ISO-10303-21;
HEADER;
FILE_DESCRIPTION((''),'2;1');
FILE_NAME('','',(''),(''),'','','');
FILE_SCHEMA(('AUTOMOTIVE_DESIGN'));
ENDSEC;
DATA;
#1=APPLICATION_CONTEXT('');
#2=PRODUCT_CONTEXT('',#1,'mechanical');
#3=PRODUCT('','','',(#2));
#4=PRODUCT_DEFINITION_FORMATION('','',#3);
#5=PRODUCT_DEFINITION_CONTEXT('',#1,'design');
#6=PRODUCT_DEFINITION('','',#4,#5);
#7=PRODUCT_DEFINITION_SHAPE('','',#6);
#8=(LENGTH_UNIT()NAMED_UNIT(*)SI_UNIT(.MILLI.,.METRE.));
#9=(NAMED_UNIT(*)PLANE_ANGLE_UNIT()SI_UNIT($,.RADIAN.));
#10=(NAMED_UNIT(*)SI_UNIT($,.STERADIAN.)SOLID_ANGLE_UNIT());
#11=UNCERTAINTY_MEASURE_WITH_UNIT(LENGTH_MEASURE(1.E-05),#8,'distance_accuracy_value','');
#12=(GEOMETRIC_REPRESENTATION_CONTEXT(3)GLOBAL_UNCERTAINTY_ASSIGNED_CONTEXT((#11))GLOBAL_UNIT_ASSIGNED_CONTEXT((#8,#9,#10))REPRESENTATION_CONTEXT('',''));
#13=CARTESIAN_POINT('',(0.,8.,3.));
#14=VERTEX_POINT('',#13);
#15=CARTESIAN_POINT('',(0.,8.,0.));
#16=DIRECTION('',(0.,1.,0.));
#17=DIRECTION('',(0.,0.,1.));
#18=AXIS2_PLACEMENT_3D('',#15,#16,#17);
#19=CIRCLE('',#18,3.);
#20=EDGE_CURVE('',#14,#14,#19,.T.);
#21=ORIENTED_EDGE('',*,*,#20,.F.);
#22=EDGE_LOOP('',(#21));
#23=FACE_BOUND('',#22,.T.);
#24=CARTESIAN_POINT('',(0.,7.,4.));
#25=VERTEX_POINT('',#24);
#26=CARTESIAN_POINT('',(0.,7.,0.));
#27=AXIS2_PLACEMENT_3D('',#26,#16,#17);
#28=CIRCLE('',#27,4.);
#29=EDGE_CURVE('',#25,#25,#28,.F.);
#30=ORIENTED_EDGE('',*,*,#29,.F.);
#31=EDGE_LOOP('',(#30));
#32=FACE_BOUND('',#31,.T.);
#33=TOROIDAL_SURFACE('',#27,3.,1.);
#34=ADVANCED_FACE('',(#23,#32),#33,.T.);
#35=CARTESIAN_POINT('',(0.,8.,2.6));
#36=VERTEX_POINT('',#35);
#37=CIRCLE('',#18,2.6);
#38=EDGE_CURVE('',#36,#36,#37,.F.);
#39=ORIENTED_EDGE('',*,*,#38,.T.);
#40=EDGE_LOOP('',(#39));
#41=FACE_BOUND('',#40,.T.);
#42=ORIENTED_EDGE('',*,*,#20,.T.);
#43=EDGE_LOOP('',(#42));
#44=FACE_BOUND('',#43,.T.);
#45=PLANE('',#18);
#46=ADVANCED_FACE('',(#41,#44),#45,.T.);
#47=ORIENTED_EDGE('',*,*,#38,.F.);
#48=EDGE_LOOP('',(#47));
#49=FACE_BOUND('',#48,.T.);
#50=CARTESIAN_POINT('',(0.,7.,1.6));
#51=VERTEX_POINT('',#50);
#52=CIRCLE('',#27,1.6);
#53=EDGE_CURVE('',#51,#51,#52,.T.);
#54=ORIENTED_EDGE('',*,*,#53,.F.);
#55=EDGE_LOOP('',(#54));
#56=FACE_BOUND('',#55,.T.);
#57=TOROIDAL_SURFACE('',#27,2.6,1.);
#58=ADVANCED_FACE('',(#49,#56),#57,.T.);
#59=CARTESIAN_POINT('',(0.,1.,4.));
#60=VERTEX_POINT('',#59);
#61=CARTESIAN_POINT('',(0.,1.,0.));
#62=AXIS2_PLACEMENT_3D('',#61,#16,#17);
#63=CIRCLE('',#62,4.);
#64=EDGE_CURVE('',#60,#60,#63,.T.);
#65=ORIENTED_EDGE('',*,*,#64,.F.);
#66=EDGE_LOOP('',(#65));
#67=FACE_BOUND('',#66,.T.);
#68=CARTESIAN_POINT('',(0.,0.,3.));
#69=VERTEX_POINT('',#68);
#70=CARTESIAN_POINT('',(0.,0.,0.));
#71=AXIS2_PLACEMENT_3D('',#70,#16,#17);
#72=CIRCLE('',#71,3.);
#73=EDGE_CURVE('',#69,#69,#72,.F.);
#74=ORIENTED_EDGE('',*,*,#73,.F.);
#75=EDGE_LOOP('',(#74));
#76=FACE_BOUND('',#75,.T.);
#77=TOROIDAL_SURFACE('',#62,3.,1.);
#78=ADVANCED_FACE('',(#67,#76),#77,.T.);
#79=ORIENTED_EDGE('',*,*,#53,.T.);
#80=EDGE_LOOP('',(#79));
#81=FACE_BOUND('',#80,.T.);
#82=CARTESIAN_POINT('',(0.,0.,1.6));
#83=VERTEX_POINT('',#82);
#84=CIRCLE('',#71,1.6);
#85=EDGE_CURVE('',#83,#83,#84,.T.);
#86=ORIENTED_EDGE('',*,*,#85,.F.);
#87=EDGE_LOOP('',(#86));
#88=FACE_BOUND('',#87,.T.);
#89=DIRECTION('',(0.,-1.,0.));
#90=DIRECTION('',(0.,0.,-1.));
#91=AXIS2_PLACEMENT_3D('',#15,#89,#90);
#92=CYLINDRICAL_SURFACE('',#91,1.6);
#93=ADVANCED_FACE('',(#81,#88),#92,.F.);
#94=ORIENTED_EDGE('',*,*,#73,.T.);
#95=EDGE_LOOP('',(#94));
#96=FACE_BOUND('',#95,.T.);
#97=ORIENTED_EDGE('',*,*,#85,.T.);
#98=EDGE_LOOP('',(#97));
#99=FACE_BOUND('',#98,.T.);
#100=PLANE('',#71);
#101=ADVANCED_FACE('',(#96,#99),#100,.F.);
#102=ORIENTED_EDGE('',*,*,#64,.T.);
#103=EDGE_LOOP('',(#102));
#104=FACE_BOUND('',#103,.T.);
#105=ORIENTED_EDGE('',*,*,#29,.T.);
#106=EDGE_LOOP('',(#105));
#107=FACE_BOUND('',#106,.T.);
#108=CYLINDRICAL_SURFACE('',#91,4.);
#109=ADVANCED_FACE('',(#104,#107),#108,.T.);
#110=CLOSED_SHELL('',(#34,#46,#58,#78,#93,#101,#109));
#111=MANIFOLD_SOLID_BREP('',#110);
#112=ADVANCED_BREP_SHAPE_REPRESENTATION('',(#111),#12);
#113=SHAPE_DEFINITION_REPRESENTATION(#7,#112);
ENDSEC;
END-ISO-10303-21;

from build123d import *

# Parameters (mm, degrees)
SKETCH1_R           = 4
SKETCH1_R_2         = 1.6
BOSS_EXTRUDE1_DEPTH = 8
FILLET1_R           = 1


with BuildPart() as part:
    # Sketch1 → Boss-Extrude1 (new body)
    with BuildSketch(Plane(origin=(0, 0, 0), x_dir=(1, 0, 0), z_dir=(0, 1, 0))):
        Circle(SKETCH1_R)
        Circle(SKETCH1_R_2, mode=Mode.SUBTRACT)
    extrude(amount=BOSS_EXTRUDE1_DEPTH)

    # Fillet1
    fillet1_edges = [part.edges().sort_by_distance(p)[0] for p in [
        (-4, 0, 0),
        (-4, 8, 0),
        (-1.6, 8, 0),
    ]]
    fillet(fillet1_edges, radius=FILLET1_R)


solid = part.part
